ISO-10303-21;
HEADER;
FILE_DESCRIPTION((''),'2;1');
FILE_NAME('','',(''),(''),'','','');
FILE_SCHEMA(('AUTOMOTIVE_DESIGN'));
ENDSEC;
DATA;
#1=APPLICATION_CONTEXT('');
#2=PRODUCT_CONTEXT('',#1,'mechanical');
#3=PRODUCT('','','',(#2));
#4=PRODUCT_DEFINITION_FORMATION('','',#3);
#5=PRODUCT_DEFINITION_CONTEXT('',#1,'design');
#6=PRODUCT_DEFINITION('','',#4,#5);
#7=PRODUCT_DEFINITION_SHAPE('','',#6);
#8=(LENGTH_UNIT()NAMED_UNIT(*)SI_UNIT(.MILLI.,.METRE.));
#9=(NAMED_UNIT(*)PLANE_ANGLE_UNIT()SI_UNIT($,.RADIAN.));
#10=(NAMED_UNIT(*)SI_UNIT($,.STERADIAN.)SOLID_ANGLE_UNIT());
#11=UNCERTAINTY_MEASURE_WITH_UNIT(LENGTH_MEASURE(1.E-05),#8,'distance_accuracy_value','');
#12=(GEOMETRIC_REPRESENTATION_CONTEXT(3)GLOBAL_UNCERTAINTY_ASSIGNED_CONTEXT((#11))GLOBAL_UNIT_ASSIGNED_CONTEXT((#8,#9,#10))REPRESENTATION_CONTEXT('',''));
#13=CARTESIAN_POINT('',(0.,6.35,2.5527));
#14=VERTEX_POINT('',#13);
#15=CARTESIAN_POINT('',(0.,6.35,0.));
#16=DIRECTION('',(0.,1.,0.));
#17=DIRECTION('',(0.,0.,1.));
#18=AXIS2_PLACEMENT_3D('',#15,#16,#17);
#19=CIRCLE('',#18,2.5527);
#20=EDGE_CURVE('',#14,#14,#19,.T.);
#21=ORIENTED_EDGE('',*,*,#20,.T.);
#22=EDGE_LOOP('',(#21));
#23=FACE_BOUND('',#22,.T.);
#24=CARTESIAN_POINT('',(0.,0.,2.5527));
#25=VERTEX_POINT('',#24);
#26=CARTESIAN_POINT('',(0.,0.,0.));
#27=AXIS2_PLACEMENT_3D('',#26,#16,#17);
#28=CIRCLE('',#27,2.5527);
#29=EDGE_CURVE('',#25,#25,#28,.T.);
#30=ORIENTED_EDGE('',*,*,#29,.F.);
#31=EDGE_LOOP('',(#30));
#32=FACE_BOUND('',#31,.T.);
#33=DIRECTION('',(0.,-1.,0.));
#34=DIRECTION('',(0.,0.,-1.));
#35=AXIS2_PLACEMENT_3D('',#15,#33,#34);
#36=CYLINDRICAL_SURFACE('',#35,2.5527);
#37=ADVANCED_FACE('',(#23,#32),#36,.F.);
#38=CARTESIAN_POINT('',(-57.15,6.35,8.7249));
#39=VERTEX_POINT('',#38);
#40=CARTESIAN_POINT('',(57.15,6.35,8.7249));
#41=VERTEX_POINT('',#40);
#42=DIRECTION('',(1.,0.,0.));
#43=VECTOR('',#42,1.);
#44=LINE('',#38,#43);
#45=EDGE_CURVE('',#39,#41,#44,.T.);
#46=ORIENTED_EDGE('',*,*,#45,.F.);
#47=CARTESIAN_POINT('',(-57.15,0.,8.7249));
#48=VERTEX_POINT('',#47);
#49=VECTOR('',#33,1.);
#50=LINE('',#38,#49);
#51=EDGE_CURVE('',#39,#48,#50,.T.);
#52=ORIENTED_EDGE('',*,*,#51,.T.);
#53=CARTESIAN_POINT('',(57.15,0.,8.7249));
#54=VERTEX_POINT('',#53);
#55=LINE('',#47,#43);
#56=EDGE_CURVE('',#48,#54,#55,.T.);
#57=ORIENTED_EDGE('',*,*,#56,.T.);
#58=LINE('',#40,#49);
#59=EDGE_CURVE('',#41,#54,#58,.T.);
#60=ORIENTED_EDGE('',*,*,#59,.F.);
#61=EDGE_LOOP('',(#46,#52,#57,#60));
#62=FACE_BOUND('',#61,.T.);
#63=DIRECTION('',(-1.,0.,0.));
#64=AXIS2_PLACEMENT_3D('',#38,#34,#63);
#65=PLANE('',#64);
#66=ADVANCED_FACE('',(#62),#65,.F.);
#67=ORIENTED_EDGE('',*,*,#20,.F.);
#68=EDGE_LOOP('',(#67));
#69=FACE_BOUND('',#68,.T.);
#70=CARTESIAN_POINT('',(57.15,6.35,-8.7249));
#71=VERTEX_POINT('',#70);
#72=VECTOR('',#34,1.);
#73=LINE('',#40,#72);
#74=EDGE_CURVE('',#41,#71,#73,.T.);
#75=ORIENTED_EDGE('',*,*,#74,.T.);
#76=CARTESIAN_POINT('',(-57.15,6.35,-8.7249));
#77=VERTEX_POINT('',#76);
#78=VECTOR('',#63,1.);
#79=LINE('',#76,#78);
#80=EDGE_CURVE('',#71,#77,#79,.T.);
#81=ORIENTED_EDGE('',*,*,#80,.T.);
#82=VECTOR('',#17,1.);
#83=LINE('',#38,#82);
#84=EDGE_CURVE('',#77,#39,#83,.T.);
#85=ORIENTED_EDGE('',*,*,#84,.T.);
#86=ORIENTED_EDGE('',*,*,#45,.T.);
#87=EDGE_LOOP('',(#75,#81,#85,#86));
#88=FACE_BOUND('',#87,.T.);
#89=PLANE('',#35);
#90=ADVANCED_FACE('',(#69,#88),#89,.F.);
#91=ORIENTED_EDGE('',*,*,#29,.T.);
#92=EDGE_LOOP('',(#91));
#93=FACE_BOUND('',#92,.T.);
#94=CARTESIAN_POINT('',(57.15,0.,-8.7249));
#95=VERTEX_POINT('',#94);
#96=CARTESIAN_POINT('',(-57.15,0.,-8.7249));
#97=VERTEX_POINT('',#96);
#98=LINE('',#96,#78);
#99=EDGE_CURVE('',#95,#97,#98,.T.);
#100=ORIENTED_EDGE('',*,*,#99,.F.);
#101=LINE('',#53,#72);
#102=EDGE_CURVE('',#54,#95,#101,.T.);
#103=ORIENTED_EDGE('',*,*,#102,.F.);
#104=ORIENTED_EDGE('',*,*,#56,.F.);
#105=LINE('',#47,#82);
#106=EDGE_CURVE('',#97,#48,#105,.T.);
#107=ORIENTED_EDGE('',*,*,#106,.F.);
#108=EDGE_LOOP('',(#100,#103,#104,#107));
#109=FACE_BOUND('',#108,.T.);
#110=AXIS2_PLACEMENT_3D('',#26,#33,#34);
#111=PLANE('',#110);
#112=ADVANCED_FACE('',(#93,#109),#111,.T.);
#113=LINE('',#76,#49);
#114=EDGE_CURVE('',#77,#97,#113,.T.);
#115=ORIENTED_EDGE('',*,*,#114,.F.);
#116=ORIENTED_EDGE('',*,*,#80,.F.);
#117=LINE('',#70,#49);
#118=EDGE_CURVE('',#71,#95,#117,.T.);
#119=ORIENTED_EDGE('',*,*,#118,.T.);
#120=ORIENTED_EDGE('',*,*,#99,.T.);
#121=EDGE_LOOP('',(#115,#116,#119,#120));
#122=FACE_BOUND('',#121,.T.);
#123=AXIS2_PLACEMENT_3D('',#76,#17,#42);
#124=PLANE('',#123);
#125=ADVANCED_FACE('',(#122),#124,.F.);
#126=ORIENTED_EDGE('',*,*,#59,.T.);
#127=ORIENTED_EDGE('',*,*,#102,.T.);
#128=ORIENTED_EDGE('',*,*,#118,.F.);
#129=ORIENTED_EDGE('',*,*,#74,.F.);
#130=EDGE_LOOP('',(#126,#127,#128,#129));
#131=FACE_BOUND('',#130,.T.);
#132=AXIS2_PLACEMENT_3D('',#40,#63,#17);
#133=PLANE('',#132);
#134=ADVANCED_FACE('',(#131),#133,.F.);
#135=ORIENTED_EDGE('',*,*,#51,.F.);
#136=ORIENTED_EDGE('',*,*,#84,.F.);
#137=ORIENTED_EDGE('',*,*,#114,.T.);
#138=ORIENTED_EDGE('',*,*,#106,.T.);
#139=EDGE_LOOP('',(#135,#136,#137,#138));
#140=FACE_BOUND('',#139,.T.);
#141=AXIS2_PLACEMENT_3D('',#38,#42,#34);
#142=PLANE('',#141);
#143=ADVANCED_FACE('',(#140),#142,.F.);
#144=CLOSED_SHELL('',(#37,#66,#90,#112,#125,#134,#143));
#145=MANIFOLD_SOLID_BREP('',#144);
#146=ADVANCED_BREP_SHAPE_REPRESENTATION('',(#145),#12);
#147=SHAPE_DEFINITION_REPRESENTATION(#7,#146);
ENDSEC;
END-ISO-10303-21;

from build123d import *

# Parameters (mm, degrees)
SKETCH1_W           = 114.3
SKETCH1_H           = 17.4498
SKETCH1_R           = 2.5527
BOSS_EXTRUDE1_DEPTH = 6.35


with BuildPart() as part:
    # Sketch1 → Boss-Extrude1 (new body)
    with BuildSketch(Plane(origin=(0, 0, 0), x_dir=(1, 0, 0), z_dir=(0, 1, 0))):
        Rectangle(SKETCH1_W, SKETCH1_H)
        Circle(SKETCH1_R, mode=Mode.SUBTRACT)
    extrude(amount=BOSS_EXTRUDE1_DEPTH)


solid = part.part
